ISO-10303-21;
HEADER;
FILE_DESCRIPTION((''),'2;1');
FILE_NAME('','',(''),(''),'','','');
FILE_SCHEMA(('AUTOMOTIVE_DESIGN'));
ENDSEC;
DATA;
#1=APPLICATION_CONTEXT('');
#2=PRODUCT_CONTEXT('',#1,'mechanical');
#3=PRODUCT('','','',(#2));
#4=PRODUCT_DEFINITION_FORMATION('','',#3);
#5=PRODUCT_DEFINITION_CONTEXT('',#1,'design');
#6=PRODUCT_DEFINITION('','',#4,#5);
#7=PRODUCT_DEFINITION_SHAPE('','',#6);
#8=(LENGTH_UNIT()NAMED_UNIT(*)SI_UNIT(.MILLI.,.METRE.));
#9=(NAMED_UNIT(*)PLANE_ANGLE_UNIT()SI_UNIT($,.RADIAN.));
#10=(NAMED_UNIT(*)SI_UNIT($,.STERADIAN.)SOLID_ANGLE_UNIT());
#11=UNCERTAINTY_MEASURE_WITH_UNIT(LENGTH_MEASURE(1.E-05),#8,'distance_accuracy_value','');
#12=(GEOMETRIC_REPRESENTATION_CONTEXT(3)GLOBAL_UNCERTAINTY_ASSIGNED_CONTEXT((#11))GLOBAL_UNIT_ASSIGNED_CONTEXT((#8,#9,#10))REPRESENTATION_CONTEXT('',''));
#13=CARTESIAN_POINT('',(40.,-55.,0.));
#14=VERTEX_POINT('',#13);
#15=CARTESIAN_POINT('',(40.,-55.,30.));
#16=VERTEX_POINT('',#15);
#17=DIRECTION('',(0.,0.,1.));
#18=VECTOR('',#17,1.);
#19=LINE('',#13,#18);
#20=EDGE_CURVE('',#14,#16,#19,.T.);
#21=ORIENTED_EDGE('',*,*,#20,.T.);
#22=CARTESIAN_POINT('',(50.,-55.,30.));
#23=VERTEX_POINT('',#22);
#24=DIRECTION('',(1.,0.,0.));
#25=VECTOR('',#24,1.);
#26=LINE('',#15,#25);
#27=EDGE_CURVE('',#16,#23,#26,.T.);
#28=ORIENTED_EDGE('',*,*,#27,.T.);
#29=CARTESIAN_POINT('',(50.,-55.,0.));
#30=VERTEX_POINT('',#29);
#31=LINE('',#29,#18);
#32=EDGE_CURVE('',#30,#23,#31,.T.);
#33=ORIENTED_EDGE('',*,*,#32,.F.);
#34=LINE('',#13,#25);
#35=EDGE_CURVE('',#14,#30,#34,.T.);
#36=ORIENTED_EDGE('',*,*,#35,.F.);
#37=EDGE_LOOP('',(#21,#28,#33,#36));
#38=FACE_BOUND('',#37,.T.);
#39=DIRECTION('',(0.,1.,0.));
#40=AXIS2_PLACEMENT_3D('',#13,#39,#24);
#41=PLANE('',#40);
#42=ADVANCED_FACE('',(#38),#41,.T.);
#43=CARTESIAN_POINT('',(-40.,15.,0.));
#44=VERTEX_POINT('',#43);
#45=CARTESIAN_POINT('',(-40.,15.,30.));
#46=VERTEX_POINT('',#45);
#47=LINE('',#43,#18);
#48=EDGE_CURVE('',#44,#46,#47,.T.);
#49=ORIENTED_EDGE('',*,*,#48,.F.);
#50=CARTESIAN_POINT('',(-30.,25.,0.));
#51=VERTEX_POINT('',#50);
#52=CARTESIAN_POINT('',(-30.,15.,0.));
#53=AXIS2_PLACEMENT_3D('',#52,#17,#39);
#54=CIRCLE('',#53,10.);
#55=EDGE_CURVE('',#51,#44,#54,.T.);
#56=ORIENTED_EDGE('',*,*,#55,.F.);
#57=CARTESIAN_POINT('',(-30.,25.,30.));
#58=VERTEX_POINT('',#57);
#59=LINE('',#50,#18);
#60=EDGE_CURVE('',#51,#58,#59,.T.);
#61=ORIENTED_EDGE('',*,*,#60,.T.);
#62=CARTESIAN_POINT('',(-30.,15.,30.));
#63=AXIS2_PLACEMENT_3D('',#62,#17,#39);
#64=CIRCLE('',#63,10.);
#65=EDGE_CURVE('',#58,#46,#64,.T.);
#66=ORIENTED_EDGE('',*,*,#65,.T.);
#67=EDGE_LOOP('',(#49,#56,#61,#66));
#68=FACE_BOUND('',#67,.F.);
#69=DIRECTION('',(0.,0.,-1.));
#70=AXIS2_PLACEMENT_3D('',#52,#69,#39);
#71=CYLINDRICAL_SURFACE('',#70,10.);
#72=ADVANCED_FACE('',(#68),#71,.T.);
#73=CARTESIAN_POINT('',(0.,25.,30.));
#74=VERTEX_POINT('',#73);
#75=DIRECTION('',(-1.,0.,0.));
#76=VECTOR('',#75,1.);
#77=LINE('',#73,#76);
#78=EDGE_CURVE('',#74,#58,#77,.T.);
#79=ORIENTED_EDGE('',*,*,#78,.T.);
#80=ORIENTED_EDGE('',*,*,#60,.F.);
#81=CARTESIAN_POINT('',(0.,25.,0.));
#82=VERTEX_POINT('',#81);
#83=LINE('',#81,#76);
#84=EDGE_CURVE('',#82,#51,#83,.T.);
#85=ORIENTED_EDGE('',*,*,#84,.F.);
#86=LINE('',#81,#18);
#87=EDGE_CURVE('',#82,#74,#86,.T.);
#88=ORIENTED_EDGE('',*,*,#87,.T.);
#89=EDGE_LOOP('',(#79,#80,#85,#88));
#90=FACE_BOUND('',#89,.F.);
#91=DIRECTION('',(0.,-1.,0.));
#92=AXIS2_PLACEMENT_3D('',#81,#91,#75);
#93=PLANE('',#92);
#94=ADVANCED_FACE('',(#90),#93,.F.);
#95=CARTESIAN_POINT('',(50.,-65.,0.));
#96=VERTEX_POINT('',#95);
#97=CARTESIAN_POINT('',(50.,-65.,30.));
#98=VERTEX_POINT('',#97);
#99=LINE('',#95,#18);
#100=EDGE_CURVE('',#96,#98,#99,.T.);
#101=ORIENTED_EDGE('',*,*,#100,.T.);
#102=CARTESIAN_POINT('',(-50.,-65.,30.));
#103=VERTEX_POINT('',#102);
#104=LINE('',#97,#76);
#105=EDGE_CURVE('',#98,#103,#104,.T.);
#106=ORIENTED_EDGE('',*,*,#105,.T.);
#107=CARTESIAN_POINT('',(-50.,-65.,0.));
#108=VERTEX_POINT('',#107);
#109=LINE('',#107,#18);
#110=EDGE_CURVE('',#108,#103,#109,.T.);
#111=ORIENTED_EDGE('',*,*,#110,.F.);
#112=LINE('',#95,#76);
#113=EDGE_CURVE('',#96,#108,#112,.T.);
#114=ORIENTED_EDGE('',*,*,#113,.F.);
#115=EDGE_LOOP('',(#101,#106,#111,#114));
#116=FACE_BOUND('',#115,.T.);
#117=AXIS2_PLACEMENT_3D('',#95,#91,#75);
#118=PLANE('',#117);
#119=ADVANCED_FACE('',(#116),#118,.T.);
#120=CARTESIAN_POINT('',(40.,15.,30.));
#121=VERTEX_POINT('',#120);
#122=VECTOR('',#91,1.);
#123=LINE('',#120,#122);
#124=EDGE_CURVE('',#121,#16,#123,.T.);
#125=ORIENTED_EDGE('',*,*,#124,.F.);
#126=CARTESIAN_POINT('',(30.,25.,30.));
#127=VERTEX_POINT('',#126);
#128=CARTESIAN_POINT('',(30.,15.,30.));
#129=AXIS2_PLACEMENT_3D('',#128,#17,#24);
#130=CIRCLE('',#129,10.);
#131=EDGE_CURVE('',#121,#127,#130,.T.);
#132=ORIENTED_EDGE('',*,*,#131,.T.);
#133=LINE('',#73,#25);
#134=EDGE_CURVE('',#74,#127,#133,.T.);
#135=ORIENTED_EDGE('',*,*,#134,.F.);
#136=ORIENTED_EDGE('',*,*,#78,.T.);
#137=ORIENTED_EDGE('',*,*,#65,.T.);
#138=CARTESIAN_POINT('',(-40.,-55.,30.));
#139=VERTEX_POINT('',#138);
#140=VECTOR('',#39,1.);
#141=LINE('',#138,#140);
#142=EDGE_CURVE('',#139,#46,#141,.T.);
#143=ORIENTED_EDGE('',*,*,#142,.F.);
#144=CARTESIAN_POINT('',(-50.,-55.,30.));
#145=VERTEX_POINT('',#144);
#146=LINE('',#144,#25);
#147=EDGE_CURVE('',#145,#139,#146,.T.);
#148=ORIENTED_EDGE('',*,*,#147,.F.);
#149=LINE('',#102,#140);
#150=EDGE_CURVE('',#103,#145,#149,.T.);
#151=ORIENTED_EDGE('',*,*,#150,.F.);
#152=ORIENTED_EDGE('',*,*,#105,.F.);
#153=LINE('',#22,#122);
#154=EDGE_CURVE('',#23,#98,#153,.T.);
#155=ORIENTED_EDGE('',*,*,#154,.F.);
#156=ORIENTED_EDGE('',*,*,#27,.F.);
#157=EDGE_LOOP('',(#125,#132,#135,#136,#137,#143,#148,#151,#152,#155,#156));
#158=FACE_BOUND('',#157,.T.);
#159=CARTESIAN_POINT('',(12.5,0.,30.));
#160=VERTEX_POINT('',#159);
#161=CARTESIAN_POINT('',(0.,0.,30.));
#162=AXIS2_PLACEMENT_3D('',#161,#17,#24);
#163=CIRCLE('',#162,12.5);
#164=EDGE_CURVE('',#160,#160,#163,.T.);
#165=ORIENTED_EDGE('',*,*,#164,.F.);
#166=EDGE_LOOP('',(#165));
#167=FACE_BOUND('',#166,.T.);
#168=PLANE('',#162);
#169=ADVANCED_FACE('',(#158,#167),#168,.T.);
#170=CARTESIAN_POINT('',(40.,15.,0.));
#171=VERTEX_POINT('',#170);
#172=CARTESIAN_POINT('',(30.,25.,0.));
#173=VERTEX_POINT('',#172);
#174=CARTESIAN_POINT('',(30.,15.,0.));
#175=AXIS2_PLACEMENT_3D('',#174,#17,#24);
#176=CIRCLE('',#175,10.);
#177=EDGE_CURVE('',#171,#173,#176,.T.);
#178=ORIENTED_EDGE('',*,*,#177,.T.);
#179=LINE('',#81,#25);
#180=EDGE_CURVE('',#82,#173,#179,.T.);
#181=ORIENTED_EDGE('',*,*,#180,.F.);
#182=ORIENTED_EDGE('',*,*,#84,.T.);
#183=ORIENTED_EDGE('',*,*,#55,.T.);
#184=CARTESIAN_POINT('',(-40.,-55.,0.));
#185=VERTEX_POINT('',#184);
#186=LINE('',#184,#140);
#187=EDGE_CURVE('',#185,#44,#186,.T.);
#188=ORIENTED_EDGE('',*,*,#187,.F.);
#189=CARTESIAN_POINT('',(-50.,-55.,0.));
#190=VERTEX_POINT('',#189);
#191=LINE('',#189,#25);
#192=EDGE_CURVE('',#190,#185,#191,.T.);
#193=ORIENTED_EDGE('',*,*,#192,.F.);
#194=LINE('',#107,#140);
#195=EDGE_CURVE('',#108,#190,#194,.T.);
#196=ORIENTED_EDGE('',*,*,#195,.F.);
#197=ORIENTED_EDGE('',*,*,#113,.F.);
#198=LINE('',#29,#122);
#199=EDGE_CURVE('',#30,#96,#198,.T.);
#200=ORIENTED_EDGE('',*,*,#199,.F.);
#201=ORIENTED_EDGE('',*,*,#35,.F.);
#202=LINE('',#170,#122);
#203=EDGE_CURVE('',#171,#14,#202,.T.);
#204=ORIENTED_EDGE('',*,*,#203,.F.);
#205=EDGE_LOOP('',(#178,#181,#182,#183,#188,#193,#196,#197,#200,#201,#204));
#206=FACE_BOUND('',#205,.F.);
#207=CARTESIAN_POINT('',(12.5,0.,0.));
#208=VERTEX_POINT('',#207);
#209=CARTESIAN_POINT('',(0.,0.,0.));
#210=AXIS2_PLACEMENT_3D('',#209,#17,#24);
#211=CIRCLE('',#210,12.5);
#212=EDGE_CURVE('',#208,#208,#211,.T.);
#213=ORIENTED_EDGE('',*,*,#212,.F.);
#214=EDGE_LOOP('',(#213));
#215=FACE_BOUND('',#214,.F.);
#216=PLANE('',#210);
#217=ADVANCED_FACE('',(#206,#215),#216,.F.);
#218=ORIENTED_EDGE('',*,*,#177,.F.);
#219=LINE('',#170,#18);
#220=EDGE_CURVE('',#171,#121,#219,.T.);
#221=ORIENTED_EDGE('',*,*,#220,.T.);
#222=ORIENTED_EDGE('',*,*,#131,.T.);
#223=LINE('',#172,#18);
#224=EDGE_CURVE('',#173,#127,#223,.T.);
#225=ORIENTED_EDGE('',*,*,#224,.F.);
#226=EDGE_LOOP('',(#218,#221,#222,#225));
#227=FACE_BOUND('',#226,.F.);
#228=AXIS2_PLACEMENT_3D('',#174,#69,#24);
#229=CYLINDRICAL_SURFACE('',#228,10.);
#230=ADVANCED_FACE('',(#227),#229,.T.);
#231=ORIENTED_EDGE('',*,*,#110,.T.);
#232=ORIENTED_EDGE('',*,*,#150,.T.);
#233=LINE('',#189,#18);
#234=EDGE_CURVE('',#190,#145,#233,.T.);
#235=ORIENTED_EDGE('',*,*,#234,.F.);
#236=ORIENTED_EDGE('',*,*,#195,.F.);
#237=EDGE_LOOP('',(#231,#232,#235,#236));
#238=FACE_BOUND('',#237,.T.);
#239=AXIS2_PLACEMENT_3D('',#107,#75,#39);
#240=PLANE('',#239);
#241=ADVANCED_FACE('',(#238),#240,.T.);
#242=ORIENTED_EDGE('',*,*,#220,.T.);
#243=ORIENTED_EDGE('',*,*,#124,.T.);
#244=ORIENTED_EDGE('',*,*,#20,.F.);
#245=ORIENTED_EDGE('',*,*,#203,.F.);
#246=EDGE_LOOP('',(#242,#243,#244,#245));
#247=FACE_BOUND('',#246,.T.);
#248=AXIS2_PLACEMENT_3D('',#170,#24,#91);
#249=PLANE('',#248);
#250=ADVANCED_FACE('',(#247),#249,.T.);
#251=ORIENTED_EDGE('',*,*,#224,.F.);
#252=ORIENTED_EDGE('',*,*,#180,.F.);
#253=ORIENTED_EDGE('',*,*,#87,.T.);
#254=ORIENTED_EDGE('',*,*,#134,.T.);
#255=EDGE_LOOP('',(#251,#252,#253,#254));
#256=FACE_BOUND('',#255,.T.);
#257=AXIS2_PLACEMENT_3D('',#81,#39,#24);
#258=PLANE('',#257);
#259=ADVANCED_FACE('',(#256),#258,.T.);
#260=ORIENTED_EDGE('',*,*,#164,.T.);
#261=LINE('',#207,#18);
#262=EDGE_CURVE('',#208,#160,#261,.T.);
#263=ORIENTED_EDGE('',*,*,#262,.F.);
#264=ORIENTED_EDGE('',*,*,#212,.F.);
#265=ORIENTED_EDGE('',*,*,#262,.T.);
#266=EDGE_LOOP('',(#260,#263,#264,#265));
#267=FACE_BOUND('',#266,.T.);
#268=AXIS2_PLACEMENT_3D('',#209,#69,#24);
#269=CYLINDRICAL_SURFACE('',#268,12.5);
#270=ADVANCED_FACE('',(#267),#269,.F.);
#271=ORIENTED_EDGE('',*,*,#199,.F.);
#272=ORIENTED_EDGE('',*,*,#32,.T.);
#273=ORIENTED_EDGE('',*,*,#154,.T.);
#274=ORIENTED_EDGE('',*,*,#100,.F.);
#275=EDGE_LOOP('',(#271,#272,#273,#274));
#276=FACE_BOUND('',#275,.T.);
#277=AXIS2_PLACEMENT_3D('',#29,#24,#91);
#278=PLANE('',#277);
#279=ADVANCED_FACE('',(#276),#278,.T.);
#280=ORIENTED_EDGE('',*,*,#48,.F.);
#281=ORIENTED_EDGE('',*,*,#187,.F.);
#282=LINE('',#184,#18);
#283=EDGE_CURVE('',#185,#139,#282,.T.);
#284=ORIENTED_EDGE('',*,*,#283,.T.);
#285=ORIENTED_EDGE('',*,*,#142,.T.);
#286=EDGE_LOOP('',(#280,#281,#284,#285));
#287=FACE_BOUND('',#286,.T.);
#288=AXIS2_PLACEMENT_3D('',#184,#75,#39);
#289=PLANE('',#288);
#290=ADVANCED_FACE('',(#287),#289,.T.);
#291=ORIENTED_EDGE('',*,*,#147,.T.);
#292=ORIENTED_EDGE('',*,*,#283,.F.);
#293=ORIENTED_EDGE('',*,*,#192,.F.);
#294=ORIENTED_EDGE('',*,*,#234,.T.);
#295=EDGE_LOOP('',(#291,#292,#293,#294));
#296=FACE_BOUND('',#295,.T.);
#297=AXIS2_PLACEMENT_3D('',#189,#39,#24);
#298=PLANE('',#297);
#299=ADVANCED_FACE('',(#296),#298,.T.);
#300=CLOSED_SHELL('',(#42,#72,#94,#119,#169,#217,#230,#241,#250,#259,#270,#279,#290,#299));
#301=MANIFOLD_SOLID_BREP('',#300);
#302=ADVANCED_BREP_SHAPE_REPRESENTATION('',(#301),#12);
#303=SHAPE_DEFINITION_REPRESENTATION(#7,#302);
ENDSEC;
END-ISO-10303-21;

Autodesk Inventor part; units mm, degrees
ref_plane "YZ Plane" through (0, 0, 0) normal (1, 0, 0) x (0, 1, 0)
ref_plane "XZ Plane" through (0, 0, 0) normal (0, 1, 0) x (-1, 0, 0)
ref_plane "XY Plane" through (0, 0, 0) normal (0, 0, 1) x (1, 0, 0)
sketch "Boceto1" plane through (0, 0, 0) normal (0, 0, 1) x (1, 0, 0)
  circle A0 centre (0, 0) radius 12.5
  line L0 (0, 25) -> (30, 25)
  line L1 (40, 15) -> (40, -55)
  line L2 (40, -55) -> (50, -55)
  line L3 (50, -55) -> (50, -65)
  line L4 (50, -65) -> (-50, -65)
  line L5 (-50, -65) -> (-50, -55)
  line L6 (-50, -55) -> (-40, -55)
  line L7 (-40, -55) -> (-40, 15)
  line L8 (0, 25) -> (-30, 25)
  arc A1 (-30, 25) -> (-40, 15) centre (-30, 15) ccw
  arc A2 (40, 15) -> (30, 25) centre (30, 15) ccw
  point P0 (40, 25)
  point P1 (-40, 25)
  dimension "d0" = 25
  dimension "d1" = 25
  dimension "d2" = 40
  dimension "d3" = 80
  dimension "d4" = 10
  dimension "d5" = 10
  dimension "d6" = 100
  dimension "d7" = 10
  dimension "d8" = 10
  dimension "d9" = 80
  dimension "d10" = 40
  dimension "d11" = 10
extrude "Extrusión1" add sketch "Boceto1" along normal blind 30
properties part number "Base" material "Aluminio 6061"
